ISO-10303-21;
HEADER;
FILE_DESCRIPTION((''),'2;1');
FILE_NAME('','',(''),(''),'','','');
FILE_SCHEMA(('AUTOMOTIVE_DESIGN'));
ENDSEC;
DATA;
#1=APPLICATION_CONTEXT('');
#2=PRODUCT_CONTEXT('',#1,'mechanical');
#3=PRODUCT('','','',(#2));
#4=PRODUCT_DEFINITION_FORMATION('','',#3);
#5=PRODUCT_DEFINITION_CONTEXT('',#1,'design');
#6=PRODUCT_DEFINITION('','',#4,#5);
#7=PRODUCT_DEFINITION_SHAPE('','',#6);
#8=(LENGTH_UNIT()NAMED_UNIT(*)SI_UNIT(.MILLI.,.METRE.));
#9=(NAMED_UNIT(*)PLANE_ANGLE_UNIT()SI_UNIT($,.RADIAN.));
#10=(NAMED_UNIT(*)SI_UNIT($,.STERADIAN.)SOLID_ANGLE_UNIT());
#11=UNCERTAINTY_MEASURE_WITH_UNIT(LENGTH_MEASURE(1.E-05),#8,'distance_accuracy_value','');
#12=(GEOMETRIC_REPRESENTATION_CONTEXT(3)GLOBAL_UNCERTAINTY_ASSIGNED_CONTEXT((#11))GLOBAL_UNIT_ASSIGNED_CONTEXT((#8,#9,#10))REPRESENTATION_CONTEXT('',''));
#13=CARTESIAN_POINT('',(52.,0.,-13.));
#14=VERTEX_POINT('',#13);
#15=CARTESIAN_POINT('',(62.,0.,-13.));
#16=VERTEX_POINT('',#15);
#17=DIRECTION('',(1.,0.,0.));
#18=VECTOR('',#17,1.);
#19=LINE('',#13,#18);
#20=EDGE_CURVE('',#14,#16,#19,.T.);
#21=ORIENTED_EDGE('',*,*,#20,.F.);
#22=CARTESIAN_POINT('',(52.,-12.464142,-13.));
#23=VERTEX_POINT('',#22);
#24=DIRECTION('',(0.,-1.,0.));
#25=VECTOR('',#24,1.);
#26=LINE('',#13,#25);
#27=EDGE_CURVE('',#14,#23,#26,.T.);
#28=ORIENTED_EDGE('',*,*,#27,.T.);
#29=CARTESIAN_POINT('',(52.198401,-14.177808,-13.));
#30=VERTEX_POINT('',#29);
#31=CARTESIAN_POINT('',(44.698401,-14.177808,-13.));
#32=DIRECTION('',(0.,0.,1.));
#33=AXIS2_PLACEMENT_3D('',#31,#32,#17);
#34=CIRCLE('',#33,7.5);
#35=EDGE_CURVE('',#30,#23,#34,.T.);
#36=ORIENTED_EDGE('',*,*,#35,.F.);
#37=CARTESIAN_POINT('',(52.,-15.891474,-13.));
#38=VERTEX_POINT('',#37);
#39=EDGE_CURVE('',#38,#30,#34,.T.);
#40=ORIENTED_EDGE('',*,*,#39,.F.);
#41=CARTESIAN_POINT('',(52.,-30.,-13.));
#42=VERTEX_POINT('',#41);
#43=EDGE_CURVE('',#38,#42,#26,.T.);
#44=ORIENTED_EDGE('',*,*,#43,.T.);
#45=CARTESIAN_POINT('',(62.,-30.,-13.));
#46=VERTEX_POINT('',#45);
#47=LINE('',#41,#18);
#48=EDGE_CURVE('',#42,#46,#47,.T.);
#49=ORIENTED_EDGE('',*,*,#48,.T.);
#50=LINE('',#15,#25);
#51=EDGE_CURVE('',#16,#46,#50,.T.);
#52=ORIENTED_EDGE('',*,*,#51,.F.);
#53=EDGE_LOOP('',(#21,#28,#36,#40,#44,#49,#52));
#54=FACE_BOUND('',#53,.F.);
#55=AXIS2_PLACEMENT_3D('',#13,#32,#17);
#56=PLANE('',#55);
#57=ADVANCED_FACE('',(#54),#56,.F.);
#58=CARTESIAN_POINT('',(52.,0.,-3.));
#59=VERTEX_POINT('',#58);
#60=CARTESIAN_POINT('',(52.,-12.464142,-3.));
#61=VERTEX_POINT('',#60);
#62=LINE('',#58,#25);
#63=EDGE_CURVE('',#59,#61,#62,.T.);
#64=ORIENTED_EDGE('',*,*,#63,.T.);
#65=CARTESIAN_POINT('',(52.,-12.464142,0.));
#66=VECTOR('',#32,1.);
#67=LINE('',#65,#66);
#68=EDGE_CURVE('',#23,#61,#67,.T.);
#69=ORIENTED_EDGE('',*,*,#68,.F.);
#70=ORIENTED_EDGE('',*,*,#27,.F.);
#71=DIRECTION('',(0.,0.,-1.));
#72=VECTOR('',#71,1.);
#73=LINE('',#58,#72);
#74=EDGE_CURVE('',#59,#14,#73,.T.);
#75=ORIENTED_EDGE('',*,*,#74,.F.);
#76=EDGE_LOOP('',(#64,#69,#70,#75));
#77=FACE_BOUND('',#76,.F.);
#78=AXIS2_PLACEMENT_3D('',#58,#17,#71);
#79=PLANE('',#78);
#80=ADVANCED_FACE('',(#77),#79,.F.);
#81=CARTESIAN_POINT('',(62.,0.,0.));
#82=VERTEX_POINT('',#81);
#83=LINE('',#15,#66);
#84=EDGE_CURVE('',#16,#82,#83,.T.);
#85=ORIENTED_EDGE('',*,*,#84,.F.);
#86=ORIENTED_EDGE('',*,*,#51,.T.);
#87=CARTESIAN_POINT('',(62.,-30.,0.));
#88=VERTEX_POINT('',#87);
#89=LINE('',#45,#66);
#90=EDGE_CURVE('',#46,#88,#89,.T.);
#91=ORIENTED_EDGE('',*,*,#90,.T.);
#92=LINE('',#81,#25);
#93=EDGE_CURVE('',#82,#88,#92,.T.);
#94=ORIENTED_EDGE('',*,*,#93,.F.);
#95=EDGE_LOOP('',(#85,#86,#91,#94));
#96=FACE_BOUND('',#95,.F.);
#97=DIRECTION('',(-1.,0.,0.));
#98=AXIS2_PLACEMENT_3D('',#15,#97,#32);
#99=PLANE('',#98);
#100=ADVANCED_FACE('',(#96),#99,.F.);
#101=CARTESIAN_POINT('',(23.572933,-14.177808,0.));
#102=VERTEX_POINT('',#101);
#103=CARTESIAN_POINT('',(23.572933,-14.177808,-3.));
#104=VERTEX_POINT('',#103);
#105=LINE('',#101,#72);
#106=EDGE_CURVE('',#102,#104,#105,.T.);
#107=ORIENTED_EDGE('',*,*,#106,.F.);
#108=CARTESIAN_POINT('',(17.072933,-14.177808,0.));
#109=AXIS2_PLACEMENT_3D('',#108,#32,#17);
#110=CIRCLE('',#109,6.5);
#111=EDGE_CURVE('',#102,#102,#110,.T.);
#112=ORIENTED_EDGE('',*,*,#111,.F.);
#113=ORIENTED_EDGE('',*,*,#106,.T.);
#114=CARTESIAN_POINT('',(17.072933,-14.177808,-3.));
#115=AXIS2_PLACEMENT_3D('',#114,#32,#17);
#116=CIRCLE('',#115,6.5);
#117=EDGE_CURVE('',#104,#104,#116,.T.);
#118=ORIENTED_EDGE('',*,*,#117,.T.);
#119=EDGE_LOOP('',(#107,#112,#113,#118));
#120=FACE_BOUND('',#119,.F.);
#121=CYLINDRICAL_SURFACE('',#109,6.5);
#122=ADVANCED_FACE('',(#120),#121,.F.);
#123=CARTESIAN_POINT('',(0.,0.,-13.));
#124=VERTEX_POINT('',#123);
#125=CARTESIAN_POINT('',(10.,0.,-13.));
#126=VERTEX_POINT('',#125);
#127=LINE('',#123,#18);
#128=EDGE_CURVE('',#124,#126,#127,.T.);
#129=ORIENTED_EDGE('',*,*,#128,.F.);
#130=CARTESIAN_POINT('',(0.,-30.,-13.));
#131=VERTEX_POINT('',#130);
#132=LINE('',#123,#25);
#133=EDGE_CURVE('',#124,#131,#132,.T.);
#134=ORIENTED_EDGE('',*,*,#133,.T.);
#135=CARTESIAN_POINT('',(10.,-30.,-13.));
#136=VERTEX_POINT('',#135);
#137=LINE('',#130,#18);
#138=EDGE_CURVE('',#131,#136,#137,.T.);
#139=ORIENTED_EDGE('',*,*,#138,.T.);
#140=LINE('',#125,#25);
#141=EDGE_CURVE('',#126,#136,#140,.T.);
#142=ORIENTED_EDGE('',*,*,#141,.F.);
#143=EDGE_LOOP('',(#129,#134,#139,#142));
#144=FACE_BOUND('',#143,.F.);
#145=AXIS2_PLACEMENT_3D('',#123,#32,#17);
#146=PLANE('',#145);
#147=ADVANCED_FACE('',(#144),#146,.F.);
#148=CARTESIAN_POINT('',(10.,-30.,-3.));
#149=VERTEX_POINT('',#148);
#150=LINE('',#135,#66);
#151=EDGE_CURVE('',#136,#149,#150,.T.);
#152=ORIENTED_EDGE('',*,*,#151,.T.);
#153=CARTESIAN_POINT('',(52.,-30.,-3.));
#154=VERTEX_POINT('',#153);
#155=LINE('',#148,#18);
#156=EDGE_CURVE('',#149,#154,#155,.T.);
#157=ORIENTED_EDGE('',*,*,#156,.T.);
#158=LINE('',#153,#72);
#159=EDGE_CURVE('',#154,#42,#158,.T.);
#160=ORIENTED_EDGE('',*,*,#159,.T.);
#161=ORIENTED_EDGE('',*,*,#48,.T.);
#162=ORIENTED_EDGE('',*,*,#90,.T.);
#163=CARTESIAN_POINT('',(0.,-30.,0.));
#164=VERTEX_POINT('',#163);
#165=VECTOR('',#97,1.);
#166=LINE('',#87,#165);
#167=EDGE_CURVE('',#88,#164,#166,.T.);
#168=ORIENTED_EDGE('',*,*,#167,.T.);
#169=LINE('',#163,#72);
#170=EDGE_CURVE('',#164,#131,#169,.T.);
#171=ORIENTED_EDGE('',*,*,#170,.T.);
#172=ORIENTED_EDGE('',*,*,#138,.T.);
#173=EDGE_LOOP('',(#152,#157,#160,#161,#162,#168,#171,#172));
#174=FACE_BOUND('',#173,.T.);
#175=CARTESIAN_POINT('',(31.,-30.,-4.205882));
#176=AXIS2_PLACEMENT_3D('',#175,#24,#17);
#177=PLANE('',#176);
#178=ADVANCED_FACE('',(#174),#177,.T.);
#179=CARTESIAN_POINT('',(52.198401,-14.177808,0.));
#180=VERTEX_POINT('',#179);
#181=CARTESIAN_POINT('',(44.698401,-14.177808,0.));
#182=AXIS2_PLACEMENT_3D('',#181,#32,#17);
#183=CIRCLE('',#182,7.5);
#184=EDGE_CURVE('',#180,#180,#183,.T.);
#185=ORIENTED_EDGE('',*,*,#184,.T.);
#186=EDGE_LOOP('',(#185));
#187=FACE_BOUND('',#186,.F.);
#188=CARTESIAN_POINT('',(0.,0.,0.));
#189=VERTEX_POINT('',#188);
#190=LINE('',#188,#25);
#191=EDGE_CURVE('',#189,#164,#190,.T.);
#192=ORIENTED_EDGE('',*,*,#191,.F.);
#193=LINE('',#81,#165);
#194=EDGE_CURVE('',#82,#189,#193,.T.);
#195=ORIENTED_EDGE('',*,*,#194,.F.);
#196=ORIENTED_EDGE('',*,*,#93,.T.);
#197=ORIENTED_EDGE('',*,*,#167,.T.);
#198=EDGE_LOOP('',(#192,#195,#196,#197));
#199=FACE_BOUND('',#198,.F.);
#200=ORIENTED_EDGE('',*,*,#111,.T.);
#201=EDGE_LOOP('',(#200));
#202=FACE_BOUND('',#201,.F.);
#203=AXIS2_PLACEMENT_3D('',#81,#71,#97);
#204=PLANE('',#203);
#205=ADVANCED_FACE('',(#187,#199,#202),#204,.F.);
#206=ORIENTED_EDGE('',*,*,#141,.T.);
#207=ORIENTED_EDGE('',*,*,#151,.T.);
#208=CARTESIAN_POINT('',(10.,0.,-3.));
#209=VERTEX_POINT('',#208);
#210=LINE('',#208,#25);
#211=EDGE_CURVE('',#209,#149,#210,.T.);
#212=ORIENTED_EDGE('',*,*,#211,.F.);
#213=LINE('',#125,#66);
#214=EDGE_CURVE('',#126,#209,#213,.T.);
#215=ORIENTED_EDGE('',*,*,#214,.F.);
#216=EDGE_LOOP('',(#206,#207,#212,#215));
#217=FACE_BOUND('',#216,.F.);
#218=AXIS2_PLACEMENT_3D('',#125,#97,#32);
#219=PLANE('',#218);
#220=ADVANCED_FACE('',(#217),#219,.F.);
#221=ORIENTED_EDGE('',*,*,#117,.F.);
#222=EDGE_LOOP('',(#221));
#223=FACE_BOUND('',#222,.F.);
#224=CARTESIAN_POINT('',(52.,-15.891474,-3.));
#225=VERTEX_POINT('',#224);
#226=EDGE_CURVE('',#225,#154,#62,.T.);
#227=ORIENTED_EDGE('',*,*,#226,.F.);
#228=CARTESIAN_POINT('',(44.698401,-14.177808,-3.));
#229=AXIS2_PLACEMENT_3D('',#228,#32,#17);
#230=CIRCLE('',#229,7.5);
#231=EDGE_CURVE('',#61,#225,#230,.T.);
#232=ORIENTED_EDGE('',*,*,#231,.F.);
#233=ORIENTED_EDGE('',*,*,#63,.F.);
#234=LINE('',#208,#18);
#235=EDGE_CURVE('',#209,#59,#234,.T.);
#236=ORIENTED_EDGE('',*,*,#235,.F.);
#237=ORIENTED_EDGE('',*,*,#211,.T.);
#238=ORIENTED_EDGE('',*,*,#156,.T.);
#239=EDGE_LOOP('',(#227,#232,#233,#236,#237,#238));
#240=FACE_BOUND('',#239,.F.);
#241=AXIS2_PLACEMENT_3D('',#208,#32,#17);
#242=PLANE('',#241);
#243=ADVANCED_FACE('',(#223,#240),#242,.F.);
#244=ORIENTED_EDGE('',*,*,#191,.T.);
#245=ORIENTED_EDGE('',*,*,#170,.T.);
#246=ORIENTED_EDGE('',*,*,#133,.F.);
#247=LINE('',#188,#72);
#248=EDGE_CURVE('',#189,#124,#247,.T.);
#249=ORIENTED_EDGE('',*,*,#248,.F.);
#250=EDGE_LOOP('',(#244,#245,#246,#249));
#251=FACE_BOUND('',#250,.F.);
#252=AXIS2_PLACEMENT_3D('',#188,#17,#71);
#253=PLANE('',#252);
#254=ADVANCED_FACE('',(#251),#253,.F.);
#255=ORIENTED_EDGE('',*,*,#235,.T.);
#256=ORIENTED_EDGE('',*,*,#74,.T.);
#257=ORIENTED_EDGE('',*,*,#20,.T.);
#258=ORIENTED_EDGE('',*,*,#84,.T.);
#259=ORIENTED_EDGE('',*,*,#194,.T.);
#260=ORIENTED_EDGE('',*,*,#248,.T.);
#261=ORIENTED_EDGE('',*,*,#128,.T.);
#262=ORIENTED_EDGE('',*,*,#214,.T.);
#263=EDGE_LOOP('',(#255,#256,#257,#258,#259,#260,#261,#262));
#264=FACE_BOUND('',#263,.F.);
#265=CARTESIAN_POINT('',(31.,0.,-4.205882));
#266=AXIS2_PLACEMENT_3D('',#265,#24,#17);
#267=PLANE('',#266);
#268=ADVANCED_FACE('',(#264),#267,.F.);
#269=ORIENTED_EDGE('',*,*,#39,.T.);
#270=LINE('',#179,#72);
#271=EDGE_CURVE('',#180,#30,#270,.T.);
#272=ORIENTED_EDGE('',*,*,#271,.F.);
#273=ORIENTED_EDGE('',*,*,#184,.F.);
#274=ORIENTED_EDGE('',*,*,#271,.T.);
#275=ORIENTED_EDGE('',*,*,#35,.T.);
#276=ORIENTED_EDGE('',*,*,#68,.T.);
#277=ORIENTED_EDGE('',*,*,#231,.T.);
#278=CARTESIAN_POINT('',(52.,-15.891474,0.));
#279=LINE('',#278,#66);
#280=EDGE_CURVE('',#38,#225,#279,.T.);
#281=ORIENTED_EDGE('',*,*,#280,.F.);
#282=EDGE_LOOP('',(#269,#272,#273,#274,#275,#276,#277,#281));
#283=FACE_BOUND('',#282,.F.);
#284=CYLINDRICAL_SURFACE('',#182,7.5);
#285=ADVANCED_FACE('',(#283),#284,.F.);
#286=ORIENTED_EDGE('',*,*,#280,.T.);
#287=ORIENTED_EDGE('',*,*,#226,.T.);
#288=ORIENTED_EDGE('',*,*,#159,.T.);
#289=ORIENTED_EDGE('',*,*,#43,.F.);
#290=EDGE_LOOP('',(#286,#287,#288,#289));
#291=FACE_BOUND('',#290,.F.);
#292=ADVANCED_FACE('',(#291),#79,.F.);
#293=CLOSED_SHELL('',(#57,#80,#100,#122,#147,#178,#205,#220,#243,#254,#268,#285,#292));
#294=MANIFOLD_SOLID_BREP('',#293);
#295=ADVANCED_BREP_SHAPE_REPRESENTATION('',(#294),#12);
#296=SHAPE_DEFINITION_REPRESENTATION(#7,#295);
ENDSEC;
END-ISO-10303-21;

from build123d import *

# Parameters (mm, degrees)
F1_DEPTH = 30
F2_R     = 7.5
F2_R_2   = 6.5
F3_DEPTH = 13.001


with BuildPart() as f1:
    # F0 (on Front) → F1 (new body)
    with BuildSketch(Plane.XZ):
        Polygon((62, 0), (0, 0), (0, -13), (10, -13), (10, -3), (52, -3), (52, -13), (62, -13), align=None)
    extrude(amount=F1_DEPTH)

    # F2 (on face) → F3 (cut, through all)
    with BuildSketch(Plane.XY):
        with Locations((44.698401, -14.177808)):
            Circle(F2_R)
        with Locations((17.072933, -14.177808)):
            Circle(F2_R_2)
    extrude(amount=-F3_DEPTH, mode=Mode.SUBTRACT)


solid = f1.part
